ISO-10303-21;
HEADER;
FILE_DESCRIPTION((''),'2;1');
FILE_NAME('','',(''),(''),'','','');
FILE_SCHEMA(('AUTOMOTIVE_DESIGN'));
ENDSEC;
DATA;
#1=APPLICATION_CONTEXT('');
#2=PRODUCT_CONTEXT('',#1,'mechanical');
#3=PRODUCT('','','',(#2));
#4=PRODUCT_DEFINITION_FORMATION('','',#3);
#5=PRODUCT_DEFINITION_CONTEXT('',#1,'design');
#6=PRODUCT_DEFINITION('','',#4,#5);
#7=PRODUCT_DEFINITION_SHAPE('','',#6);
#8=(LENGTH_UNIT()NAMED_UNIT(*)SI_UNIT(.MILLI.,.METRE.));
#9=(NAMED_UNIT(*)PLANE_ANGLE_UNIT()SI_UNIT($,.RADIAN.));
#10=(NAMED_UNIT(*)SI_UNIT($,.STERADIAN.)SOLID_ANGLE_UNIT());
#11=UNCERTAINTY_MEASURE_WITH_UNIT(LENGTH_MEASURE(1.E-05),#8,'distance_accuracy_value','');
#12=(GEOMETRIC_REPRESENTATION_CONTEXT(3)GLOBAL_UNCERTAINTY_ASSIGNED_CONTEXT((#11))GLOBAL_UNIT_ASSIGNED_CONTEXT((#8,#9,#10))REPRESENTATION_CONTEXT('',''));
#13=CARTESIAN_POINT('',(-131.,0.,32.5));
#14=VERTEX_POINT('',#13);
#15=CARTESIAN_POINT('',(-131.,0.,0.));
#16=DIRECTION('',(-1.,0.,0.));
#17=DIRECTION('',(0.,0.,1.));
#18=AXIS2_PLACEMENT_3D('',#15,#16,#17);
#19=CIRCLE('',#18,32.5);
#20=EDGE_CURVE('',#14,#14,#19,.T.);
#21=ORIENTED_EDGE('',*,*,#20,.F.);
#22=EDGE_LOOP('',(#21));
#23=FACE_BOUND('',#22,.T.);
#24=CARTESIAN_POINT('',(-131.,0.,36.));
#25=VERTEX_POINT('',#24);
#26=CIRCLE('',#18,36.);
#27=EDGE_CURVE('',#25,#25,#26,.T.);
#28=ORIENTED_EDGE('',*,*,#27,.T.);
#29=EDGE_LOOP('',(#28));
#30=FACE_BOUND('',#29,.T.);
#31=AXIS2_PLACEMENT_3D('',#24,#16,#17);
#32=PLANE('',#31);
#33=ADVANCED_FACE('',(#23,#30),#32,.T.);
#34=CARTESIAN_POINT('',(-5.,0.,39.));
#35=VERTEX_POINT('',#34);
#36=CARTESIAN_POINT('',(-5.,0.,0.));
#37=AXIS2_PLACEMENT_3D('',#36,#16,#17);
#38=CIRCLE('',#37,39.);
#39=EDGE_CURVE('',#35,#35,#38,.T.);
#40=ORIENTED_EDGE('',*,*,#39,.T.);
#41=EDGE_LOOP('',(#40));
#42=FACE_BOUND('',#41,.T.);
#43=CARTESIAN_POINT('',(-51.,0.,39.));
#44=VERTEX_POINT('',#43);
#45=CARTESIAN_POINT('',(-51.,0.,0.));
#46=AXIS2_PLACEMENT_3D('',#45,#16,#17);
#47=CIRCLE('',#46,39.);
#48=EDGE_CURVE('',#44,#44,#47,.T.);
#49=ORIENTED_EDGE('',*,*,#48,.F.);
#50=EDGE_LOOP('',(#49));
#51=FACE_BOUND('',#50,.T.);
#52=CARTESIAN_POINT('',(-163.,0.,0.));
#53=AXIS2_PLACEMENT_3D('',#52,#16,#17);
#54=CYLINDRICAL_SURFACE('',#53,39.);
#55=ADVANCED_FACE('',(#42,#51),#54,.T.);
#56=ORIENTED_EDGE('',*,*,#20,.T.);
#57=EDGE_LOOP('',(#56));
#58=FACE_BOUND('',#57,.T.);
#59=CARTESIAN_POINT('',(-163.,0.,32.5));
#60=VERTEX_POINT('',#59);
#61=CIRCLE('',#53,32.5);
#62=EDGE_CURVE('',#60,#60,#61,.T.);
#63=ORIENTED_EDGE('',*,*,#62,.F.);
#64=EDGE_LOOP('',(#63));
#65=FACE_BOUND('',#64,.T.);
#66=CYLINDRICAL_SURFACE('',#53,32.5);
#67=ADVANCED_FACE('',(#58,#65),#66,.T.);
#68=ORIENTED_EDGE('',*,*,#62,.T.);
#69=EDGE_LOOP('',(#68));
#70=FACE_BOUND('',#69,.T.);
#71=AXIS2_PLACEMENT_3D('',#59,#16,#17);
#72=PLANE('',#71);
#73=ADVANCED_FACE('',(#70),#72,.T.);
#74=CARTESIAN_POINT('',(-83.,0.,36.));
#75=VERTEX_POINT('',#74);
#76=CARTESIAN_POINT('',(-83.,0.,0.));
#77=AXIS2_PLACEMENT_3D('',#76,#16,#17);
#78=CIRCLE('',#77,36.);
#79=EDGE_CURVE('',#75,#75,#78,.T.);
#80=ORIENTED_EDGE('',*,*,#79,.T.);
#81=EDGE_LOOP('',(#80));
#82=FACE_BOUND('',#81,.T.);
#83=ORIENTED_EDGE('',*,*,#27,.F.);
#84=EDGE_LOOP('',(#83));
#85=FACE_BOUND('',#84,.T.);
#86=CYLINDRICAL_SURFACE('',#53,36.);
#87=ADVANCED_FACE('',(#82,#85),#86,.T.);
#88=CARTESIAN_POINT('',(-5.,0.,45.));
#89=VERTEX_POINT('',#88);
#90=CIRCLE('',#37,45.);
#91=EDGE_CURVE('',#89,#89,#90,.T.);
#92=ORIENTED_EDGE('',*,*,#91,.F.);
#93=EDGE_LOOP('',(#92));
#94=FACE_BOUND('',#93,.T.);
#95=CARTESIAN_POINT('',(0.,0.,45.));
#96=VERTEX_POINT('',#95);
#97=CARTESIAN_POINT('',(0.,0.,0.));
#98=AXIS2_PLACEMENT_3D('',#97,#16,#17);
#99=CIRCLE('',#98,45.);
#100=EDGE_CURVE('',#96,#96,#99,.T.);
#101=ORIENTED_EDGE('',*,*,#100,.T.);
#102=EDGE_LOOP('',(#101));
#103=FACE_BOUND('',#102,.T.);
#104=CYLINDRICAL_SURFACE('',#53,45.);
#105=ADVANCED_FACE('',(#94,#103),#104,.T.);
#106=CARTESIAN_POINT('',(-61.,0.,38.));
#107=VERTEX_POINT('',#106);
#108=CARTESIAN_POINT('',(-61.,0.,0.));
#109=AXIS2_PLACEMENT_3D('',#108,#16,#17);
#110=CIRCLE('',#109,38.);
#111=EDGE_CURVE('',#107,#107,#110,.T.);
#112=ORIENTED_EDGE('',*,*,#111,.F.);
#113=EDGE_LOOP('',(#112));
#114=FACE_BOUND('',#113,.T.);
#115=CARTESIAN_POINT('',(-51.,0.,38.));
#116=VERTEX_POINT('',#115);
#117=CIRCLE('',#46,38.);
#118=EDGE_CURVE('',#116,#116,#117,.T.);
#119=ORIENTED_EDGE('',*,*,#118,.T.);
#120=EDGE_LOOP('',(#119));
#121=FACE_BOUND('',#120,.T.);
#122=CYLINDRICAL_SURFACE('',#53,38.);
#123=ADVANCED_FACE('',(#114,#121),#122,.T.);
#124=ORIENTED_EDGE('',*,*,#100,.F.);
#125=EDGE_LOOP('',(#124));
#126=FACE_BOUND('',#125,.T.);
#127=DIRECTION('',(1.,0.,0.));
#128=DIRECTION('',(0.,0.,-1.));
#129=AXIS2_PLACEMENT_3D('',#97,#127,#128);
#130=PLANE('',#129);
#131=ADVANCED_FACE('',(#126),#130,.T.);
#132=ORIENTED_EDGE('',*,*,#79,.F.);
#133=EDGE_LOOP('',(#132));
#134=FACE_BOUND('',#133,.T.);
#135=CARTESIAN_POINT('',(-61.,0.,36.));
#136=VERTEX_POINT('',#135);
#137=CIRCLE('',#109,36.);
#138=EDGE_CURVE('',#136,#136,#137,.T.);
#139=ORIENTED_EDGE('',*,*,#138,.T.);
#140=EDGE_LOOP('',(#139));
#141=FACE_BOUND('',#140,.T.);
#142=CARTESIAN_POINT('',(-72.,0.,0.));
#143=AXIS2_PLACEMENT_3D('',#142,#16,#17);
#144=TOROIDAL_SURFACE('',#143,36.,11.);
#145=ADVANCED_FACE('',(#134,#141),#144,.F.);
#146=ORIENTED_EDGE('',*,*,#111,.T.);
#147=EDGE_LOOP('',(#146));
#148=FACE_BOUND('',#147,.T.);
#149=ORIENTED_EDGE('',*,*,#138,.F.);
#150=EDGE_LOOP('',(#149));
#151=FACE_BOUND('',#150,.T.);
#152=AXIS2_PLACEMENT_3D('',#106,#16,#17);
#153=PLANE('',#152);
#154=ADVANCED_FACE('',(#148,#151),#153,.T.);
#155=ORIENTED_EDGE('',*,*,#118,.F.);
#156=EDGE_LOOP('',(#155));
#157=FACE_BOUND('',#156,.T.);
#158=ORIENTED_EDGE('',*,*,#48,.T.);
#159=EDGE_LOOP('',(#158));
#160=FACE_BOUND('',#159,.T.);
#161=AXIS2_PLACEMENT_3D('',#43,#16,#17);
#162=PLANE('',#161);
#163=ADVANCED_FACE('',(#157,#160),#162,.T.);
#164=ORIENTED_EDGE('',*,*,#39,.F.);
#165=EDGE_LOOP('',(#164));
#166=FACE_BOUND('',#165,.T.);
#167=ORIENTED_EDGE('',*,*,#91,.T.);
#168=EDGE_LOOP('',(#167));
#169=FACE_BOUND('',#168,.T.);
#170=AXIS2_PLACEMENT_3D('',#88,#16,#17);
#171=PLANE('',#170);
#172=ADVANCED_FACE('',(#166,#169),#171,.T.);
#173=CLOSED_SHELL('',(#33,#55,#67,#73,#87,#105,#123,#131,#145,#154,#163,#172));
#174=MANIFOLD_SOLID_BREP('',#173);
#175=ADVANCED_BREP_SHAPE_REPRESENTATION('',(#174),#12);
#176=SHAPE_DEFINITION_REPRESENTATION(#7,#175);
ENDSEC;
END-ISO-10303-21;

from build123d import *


with BuildPart() as part:
    # Sketch1 → Revolve1 (revolve)
    with BuildSketch(Plane(origin=(0, 0, 0), x_dir=(-1, 0, 0), z_dir=(0, 1, 0))):
        with BuildLine():
            Line((0, 0), (0, 45))
            Line((0, 45), (5, 45))
            Line((5, 45), (5, 39))
            Line((5, 39), (51, 39))
            Line((51, 39), (51, 38))
            Line((51, 38), (61, 38))
            Line((61, 38), (61, 36))
            ThreePointArc((61, 36), (72, 25), (83, 36))
            Line((83, 36), (131, 36))
            Line((131, 36), (131, 32.5))
            Line((131, 32.5), (163, 32.5))
            Line((163, 32.5), (163, 0))
            Line((163, 0), (0, 0))
        make_face()
    revolve(axis=Axis((-163, 0, 0), (1, 0, 0)))


solid = part.part
